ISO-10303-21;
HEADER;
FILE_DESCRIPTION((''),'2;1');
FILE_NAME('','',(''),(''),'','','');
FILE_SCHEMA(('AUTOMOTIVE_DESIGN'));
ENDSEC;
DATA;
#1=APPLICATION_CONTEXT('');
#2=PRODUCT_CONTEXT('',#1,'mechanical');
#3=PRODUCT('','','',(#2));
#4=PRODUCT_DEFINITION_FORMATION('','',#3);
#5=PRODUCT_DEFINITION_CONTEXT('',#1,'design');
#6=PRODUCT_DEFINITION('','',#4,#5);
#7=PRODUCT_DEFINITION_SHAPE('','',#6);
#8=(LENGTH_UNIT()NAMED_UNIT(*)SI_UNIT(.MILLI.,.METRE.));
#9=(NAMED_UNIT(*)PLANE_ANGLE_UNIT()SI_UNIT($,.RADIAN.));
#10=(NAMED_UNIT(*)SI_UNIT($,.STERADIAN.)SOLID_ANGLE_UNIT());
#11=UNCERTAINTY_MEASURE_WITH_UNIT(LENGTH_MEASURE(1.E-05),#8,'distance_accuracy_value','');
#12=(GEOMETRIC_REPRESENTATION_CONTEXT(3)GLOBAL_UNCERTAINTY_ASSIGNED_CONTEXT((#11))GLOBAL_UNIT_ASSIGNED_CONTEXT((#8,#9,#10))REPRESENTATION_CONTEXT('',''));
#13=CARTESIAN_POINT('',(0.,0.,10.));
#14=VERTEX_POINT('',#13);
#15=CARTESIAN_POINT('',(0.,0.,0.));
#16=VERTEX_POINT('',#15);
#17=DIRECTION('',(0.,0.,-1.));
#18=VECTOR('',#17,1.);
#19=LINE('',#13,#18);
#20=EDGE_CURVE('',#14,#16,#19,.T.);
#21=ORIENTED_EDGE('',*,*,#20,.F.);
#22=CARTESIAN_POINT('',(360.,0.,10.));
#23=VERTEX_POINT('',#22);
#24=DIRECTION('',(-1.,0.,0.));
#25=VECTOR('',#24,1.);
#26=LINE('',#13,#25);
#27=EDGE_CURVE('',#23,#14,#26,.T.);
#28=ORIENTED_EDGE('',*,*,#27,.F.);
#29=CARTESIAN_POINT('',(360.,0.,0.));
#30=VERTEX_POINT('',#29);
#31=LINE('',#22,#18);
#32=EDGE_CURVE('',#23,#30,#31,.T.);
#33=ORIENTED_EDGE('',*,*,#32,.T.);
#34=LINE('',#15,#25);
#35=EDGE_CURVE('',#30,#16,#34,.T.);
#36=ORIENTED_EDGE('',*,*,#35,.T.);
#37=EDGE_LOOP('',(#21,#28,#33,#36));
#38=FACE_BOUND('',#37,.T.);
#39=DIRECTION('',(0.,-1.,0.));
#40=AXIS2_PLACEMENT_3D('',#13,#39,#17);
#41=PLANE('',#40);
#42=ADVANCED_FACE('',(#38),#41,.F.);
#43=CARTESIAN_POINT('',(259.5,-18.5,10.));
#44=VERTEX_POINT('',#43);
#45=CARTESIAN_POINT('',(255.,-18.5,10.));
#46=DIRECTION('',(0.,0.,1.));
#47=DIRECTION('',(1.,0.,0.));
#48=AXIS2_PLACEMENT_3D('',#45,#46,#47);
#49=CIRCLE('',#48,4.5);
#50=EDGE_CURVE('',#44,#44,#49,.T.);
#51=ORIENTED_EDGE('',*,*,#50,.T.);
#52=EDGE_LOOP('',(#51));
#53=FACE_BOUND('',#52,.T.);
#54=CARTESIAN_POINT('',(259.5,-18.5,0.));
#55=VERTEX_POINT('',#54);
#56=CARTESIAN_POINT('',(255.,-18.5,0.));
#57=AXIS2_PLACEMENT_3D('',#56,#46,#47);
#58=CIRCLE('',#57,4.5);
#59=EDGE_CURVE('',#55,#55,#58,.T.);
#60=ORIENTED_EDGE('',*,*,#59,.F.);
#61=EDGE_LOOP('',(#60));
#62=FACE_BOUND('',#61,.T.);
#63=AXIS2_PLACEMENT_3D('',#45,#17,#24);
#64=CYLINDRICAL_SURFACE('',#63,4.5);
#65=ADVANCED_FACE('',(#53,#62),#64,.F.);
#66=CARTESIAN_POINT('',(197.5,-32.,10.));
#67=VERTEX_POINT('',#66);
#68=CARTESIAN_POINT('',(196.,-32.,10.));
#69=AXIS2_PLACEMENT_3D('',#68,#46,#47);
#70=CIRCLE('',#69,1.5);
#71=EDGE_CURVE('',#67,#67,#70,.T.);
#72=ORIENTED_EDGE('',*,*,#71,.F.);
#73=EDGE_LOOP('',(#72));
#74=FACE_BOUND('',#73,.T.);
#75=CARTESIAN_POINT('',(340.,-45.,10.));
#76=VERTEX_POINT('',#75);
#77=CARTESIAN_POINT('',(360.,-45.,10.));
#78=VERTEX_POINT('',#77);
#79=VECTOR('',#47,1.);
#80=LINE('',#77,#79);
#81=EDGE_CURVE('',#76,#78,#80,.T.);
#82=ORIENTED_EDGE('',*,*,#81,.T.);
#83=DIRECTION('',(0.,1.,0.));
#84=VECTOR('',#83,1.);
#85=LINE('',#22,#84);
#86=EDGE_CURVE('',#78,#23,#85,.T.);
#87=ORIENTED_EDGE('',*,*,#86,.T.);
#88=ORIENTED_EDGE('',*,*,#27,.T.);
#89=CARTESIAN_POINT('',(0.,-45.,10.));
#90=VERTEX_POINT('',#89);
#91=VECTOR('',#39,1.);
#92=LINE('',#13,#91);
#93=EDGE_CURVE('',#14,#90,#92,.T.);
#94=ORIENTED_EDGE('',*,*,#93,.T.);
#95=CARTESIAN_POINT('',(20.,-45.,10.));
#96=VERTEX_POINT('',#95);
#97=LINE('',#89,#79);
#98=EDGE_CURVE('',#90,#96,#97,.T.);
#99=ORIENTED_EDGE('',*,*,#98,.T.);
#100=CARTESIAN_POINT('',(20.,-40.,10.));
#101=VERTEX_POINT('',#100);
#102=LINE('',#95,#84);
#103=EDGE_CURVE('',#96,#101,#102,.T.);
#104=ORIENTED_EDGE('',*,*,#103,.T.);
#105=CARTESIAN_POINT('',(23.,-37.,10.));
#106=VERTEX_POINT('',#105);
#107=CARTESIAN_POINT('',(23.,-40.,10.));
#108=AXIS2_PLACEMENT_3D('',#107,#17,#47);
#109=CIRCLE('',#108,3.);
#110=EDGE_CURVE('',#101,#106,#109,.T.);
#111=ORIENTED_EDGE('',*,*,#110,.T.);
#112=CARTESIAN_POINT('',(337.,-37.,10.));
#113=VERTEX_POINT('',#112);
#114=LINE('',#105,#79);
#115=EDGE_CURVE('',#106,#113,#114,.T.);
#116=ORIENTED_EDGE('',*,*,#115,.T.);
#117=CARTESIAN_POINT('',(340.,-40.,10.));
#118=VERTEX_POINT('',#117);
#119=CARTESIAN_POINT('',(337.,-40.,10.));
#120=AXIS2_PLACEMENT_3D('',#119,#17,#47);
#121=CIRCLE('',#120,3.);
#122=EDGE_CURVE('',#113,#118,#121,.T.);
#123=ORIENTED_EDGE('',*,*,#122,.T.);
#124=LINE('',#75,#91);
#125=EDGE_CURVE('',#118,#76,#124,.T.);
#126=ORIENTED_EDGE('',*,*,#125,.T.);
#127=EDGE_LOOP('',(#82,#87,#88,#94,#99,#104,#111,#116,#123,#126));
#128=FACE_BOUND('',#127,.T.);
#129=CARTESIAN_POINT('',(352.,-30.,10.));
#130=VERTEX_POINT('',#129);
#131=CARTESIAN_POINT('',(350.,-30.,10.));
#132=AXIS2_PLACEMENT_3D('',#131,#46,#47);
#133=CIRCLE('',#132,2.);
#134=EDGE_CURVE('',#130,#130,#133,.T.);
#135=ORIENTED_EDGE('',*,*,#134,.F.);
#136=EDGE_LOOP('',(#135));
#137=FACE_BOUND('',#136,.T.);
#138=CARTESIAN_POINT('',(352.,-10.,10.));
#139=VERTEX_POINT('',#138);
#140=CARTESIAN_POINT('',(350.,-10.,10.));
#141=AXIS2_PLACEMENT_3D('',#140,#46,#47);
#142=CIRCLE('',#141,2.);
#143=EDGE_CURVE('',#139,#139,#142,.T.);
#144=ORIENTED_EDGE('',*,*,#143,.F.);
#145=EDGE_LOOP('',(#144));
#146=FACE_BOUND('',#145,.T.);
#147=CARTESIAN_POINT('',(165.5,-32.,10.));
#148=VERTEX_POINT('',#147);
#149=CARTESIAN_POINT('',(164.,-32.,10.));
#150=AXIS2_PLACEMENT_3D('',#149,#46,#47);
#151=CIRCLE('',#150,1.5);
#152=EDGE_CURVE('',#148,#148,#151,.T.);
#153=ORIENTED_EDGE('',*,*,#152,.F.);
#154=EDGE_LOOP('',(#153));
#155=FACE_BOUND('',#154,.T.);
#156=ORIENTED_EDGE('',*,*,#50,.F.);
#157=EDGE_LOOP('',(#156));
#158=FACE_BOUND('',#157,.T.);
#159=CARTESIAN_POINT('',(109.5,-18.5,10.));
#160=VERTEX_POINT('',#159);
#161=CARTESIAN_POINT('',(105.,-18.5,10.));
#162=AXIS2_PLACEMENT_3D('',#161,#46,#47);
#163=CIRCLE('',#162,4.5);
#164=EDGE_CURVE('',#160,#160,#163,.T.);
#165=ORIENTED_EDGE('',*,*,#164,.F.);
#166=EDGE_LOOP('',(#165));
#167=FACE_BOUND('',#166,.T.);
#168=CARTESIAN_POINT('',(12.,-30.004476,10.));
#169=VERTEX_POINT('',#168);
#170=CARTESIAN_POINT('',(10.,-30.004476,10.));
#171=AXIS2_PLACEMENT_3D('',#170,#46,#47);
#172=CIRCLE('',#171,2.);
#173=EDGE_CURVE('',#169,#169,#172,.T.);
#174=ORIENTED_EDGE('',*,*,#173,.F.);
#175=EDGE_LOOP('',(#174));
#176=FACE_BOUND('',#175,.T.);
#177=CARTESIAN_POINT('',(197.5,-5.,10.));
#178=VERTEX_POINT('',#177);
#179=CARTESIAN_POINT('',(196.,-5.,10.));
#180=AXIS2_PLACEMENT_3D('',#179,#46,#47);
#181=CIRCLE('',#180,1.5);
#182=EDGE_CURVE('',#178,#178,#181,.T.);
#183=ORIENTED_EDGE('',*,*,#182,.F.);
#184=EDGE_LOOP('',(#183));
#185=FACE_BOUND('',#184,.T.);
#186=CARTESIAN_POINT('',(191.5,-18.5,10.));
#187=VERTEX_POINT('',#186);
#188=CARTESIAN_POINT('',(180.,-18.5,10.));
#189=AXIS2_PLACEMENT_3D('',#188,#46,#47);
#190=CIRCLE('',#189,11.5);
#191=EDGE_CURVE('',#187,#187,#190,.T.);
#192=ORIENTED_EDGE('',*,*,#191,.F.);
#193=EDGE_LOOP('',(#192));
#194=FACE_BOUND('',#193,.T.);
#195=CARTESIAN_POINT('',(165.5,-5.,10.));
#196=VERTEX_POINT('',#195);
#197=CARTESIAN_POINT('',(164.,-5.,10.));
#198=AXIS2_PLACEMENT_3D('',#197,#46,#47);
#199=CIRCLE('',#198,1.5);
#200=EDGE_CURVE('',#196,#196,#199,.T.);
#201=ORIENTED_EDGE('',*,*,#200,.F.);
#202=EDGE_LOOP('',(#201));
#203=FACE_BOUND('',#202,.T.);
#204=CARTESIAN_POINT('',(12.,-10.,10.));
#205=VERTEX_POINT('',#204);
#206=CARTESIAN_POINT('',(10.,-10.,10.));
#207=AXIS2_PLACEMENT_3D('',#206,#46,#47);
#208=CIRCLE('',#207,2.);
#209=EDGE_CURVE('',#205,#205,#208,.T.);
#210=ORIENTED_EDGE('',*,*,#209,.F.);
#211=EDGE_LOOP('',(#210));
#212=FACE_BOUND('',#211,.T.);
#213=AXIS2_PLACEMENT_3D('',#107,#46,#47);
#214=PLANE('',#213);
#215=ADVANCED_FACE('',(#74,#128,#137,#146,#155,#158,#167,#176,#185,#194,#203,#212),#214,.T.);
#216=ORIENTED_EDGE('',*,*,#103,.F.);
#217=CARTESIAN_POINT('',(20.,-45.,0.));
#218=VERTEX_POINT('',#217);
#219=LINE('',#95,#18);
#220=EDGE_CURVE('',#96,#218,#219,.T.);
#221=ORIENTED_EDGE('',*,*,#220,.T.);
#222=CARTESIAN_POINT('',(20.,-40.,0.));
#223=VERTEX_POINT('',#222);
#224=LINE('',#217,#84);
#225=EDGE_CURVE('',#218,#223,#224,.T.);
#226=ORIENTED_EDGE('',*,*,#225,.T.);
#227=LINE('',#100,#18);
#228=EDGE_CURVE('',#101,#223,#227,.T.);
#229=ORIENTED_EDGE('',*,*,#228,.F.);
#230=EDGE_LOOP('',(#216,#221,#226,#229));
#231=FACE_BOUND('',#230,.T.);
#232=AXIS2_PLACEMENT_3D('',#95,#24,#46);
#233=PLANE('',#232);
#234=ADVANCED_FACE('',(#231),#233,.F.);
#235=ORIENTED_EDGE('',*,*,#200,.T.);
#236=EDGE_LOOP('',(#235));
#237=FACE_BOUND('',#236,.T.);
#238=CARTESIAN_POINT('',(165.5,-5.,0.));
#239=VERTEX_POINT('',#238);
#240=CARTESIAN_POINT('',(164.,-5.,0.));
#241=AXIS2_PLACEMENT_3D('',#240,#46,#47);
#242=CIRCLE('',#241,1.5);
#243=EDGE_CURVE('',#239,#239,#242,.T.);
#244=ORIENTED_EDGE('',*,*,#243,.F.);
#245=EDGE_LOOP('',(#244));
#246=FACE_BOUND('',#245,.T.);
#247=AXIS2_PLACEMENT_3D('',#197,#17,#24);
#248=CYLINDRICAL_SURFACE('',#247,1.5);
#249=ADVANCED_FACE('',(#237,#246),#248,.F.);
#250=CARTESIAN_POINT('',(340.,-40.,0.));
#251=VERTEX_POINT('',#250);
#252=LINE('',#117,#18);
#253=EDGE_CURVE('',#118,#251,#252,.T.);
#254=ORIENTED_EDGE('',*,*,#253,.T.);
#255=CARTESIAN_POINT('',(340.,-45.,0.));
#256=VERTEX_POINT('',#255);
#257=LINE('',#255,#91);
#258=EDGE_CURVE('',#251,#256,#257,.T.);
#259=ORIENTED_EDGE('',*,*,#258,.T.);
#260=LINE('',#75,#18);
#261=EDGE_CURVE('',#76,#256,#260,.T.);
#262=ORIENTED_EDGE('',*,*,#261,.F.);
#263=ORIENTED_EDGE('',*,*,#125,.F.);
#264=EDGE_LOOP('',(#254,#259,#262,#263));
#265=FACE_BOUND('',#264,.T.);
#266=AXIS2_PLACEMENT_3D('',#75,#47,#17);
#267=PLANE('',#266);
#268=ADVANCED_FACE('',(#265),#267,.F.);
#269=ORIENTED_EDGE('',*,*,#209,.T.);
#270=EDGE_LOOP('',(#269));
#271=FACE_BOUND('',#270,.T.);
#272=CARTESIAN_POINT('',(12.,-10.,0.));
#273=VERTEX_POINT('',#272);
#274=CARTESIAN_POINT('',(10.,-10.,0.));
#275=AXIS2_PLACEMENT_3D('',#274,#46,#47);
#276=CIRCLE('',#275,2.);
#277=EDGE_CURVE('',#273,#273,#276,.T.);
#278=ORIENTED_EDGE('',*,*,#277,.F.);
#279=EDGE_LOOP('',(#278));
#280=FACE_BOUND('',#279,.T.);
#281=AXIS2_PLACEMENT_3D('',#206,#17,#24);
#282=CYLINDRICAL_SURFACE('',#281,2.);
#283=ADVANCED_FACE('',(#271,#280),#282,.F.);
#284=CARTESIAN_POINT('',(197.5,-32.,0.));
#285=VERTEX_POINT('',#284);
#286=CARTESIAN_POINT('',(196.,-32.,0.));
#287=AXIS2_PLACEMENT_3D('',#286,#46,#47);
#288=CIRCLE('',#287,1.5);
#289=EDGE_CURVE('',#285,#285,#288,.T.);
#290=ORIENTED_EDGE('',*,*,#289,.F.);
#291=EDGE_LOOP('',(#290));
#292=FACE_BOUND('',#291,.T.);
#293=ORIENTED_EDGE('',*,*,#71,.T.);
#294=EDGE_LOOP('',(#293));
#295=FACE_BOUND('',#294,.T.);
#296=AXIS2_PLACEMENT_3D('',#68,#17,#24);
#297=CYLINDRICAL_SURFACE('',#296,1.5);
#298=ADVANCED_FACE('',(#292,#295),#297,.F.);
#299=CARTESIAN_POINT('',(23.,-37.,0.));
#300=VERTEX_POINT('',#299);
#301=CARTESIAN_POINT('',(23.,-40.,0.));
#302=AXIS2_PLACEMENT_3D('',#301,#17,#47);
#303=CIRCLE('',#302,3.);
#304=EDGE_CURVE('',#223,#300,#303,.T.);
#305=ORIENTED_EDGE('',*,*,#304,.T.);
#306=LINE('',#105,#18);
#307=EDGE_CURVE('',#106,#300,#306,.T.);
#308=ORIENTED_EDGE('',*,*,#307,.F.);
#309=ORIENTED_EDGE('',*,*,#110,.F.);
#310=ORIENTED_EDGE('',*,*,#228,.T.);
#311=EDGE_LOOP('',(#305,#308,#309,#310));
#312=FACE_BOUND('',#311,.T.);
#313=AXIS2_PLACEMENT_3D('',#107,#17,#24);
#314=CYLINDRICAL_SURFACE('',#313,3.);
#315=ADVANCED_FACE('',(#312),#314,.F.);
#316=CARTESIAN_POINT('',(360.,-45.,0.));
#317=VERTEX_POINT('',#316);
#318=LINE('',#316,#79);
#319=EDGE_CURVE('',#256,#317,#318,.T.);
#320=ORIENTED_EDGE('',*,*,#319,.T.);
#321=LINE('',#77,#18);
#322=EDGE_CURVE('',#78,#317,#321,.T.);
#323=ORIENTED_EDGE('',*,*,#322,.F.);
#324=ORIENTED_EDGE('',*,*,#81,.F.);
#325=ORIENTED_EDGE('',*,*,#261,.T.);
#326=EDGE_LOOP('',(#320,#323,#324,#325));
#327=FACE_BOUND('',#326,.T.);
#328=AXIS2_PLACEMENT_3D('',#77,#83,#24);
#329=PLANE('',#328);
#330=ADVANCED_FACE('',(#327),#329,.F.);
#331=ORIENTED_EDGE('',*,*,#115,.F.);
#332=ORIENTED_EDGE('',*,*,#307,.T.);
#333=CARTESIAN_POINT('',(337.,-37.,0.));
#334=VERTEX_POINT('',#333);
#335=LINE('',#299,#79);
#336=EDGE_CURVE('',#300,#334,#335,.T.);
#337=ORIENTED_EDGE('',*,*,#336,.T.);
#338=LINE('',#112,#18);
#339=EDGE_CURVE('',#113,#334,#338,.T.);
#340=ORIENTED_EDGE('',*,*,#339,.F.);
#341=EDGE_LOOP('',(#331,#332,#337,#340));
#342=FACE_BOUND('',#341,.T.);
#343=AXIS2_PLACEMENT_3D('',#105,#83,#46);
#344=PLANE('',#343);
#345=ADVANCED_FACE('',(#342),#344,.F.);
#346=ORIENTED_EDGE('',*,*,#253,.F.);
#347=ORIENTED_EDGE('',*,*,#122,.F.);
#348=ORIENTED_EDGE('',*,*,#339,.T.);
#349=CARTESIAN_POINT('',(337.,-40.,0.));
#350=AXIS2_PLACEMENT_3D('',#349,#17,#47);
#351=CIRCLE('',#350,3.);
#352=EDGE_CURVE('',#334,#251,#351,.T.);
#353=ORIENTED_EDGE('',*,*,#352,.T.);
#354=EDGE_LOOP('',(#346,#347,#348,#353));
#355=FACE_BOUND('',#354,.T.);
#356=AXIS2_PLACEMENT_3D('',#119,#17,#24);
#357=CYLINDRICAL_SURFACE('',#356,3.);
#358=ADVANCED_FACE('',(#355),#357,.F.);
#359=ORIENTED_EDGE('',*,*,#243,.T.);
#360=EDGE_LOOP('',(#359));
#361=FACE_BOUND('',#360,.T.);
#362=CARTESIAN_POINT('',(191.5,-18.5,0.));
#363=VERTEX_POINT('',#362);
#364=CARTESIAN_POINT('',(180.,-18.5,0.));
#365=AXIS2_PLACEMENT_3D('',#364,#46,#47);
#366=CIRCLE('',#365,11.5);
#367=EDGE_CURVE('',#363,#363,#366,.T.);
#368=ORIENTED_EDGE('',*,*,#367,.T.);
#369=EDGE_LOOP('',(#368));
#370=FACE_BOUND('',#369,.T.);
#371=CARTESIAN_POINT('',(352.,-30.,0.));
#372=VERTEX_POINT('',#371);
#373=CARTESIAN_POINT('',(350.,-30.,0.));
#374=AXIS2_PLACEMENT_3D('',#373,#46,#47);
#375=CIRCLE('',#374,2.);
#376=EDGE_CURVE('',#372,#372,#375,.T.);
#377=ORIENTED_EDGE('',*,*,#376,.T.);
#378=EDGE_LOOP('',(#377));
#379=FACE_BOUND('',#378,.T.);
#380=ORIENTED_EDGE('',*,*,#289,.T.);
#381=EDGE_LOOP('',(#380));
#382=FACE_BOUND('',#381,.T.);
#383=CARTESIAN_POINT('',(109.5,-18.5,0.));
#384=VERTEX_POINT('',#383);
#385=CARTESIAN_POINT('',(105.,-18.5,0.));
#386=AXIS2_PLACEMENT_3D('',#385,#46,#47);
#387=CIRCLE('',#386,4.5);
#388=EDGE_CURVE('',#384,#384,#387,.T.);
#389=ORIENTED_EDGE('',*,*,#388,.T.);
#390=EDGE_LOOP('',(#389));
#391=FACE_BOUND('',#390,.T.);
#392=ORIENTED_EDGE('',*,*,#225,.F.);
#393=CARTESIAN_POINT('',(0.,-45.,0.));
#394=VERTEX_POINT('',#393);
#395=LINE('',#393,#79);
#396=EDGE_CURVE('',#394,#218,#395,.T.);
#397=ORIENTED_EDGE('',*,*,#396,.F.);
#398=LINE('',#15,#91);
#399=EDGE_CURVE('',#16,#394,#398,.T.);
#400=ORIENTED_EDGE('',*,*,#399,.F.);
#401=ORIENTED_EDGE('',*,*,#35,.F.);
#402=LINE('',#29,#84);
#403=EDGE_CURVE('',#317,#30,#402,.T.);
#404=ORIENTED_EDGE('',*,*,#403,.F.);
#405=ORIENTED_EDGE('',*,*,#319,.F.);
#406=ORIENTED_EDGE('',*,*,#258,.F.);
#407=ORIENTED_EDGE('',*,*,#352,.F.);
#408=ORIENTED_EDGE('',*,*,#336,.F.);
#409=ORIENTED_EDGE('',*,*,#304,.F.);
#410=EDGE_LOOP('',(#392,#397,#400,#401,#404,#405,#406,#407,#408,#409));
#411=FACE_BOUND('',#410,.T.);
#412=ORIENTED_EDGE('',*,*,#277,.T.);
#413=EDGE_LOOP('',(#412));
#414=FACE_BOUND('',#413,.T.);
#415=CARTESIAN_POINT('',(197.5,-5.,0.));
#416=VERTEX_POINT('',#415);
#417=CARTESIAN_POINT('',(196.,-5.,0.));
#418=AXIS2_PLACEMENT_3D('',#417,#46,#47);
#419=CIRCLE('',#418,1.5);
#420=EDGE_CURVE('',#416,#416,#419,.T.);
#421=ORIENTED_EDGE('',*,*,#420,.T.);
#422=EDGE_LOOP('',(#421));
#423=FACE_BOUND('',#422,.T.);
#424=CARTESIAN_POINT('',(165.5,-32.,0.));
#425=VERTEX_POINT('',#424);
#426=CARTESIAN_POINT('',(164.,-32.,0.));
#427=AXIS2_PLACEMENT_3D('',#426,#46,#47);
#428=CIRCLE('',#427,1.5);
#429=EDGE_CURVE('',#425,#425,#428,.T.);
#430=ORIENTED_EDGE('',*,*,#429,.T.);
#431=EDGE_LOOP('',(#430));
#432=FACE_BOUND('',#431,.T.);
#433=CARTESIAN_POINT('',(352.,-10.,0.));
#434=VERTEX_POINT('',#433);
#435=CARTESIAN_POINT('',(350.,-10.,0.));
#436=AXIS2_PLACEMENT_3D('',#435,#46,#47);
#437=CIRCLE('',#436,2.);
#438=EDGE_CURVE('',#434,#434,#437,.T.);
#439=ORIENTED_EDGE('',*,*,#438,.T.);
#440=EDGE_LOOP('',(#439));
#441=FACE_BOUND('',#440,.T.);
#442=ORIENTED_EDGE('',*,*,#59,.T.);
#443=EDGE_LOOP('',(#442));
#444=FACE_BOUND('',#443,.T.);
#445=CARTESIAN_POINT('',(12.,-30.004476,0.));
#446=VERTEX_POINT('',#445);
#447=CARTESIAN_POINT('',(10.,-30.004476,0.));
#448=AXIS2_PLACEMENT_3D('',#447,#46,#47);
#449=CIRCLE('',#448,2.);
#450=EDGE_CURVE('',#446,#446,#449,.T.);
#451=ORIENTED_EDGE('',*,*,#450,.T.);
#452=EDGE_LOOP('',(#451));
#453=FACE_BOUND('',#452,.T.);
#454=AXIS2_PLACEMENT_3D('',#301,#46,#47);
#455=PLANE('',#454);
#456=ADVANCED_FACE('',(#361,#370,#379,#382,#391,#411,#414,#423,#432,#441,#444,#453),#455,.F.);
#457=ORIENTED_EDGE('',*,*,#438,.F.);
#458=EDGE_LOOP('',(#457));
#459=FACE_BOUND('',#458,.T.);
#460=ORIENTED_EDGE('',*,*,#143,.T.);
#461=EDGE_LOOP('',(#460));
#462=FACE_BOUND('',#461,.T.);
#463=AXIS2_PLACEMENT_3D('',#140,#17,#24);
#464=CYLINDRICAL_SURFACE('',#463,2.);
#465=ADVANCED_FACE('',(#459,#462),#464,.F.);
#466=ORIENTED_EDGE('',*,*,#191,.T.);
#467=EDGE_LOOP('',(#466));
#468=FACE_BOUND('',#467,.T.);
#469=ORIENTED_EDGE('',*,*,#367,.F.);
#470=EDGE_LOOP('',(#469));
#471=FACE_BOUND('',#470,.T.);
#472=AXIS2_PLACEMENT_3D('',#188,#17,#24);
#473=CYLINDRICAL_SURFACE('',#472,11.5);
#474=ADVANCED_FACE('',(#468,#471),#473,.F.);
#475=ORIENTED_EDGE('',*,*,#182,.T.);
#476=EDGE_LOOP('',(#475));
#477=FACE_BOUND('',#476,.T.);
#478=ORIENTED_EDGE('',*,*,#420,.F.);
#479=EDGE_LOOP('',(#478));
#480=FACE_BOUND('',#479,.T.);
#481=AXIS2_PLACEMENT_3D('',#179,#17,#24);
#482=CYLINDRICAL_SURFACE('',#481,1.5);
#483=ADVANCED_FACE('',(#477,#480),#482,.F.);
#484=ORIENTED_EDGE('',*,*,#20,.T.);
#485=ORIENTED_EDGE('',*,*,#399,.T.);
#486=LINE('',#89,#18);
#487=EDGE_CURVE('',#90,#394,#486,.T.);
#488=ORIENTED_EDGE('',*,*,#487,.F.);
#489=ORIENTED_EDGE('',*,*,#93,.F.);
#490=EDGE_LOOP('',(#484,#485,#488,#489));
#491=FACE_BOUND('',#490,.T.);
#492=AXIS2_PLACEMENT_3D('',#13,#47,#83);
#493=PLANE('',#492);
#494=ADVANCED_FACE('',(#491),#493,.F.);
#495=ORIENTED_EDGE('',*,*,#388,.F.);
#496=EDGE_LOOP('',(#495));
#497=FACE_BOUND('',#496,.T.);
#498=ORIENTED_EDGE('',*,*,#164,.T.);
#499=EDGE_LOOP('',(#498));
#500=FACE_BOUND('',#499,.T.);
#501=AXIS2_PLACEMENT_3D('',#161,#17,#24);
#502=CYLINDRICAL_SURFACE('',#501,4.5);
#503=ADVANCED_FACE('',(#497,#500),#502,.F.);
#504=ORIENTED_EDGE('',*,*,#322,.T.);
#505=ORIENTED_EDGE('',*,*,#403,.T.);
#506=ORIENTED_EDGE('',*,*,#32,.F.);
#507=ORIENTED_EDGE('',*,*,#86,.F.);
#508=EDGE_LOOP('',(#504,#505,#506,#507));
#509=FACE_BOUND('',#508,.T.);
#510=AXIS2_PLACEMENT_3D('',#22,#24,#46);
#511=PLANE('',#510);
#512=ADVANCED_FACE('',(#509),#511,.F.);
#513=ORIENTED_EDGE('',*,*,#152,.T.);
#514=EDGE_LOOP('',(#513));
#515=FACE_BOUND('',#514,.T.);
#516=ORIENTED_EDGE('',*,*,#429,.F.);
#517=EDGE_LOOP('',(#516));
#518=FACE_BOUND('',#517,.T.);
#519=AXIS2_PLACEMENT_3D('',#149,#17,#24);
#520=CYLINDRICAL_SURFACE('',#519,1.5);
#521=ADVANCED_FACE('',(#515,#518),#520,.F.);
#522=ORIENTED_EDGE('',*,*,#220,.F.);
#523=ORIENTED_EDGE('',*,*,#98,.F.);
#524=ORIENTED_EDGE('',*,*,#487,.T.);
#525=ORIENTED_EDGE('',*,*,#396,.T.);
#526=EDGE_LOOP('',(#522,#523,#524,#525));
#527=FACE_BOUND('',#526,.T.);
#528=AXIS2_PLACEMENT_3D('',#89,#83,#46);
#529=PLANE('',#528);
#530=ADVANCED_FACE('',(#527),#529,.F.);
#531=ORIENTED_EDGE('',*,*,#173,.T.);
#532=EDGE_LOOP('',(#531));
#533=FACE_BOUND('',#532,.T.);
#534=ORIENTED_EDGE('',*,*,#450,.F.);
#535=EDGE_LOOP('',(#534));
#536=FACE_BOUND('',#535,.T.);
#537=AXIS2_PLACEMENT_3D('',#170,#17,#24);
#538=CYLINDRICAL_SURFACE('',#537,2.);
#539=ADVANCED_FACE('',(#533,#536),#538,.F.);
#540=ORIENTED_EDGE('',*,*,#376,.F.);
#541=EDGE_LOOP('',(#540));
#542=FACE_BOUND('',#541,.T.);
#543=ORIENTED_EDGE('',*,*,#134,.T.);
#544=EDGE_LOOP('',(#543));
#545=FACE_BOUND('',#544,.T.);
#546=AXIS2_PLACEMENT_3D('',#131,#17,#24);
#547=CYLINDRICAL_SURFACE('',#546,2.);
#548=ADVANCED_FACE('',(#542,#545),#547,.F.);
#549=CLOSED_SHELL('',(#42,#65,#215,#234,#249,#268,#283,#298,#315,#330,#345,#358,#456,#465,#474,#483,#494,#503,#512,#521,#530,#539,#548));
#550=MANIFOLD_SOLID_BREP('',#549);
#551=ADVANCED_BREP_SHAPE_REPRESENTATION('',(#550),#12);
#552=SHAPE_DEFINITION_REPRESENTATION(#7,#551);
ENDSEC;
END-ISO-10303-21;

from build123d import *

# Parameters (mm, degrees)
SKETCH1_R           = 2
SKETCH1_R_2         = 11.5
SKETCH1_R_3         = 4.5
SKETCH1_R_4         = 1.5
BOSS_EXTRUDE1_DEPTH = 10


with BuildPart() as part:
    # Sketch1 → Boss-Extrude1 (new body)
    with BuildSketch(Plane.XY):
        with BuildLine():
            Line((0, 0), (360, 0))
            Line((360, 0), (360, -45))
            Line((360, -45), (340, -45))
            Line((340, -45), (340, -40))
            ThreePointArc((340, -40), (339.121320344, -37.878679656), (337, -37))
            Line((337, -37), (23, -37))
            ThreePointArc((23, -37), (20.878679656, -37.878679656), (20, -40))
            Line((20, -40), (20, -45))
            Line((20, -45), (0, -45))
            Line((0, -45), (0, 0))
        make_face()
        with Locations((350, -10)):
            Circle(SKETCH1_R, mode=Mode.SUBTRACT)
        with Locations((350, -30)):
            Circle(SKETCH1_R, mode=Mode.SUBTRACT)
        with Locations((10, -10)):
            Circle(SKETCH1_R, mode=Mode.SUBTRACT)
        with Locations((10, -30.004476127)):
            Circle(SKETCH1_R, mode=Mode.SUBTRACT)
        with Locations((180, -18.5)):
            Circle(SKETCH1_R_2, mode=Mode.SUBTRACT)
        with Locations((255, -18.5)):
            Circle(SKETCH1_R_3, mode=Mode.SUBTRACT)
        with Locations((105, -18.5)):
            Circle(SKETCH1_R_3, mode=Mode.SUBTRACT)
        with Locations((164, -5)):
            Circle(SKETCH1_R_4, mode=Mode.SUBTRACT)
        with Locations((196, -5)):
            Circle(SKETCH1_R_4, mode=Mode.SUBTRACT)
        with Locations((196, -32)):
            Circle(SKETCH1_R_4, mode=Mode.SUBTRACT)
        with Locations((164, -32)):
            Circle(SKETCH1_R_4, mode=Mode.SUBTRACT)
    extrude(amount=BOSS_EXTRUDE1_DEPTH)


solid = part.part
